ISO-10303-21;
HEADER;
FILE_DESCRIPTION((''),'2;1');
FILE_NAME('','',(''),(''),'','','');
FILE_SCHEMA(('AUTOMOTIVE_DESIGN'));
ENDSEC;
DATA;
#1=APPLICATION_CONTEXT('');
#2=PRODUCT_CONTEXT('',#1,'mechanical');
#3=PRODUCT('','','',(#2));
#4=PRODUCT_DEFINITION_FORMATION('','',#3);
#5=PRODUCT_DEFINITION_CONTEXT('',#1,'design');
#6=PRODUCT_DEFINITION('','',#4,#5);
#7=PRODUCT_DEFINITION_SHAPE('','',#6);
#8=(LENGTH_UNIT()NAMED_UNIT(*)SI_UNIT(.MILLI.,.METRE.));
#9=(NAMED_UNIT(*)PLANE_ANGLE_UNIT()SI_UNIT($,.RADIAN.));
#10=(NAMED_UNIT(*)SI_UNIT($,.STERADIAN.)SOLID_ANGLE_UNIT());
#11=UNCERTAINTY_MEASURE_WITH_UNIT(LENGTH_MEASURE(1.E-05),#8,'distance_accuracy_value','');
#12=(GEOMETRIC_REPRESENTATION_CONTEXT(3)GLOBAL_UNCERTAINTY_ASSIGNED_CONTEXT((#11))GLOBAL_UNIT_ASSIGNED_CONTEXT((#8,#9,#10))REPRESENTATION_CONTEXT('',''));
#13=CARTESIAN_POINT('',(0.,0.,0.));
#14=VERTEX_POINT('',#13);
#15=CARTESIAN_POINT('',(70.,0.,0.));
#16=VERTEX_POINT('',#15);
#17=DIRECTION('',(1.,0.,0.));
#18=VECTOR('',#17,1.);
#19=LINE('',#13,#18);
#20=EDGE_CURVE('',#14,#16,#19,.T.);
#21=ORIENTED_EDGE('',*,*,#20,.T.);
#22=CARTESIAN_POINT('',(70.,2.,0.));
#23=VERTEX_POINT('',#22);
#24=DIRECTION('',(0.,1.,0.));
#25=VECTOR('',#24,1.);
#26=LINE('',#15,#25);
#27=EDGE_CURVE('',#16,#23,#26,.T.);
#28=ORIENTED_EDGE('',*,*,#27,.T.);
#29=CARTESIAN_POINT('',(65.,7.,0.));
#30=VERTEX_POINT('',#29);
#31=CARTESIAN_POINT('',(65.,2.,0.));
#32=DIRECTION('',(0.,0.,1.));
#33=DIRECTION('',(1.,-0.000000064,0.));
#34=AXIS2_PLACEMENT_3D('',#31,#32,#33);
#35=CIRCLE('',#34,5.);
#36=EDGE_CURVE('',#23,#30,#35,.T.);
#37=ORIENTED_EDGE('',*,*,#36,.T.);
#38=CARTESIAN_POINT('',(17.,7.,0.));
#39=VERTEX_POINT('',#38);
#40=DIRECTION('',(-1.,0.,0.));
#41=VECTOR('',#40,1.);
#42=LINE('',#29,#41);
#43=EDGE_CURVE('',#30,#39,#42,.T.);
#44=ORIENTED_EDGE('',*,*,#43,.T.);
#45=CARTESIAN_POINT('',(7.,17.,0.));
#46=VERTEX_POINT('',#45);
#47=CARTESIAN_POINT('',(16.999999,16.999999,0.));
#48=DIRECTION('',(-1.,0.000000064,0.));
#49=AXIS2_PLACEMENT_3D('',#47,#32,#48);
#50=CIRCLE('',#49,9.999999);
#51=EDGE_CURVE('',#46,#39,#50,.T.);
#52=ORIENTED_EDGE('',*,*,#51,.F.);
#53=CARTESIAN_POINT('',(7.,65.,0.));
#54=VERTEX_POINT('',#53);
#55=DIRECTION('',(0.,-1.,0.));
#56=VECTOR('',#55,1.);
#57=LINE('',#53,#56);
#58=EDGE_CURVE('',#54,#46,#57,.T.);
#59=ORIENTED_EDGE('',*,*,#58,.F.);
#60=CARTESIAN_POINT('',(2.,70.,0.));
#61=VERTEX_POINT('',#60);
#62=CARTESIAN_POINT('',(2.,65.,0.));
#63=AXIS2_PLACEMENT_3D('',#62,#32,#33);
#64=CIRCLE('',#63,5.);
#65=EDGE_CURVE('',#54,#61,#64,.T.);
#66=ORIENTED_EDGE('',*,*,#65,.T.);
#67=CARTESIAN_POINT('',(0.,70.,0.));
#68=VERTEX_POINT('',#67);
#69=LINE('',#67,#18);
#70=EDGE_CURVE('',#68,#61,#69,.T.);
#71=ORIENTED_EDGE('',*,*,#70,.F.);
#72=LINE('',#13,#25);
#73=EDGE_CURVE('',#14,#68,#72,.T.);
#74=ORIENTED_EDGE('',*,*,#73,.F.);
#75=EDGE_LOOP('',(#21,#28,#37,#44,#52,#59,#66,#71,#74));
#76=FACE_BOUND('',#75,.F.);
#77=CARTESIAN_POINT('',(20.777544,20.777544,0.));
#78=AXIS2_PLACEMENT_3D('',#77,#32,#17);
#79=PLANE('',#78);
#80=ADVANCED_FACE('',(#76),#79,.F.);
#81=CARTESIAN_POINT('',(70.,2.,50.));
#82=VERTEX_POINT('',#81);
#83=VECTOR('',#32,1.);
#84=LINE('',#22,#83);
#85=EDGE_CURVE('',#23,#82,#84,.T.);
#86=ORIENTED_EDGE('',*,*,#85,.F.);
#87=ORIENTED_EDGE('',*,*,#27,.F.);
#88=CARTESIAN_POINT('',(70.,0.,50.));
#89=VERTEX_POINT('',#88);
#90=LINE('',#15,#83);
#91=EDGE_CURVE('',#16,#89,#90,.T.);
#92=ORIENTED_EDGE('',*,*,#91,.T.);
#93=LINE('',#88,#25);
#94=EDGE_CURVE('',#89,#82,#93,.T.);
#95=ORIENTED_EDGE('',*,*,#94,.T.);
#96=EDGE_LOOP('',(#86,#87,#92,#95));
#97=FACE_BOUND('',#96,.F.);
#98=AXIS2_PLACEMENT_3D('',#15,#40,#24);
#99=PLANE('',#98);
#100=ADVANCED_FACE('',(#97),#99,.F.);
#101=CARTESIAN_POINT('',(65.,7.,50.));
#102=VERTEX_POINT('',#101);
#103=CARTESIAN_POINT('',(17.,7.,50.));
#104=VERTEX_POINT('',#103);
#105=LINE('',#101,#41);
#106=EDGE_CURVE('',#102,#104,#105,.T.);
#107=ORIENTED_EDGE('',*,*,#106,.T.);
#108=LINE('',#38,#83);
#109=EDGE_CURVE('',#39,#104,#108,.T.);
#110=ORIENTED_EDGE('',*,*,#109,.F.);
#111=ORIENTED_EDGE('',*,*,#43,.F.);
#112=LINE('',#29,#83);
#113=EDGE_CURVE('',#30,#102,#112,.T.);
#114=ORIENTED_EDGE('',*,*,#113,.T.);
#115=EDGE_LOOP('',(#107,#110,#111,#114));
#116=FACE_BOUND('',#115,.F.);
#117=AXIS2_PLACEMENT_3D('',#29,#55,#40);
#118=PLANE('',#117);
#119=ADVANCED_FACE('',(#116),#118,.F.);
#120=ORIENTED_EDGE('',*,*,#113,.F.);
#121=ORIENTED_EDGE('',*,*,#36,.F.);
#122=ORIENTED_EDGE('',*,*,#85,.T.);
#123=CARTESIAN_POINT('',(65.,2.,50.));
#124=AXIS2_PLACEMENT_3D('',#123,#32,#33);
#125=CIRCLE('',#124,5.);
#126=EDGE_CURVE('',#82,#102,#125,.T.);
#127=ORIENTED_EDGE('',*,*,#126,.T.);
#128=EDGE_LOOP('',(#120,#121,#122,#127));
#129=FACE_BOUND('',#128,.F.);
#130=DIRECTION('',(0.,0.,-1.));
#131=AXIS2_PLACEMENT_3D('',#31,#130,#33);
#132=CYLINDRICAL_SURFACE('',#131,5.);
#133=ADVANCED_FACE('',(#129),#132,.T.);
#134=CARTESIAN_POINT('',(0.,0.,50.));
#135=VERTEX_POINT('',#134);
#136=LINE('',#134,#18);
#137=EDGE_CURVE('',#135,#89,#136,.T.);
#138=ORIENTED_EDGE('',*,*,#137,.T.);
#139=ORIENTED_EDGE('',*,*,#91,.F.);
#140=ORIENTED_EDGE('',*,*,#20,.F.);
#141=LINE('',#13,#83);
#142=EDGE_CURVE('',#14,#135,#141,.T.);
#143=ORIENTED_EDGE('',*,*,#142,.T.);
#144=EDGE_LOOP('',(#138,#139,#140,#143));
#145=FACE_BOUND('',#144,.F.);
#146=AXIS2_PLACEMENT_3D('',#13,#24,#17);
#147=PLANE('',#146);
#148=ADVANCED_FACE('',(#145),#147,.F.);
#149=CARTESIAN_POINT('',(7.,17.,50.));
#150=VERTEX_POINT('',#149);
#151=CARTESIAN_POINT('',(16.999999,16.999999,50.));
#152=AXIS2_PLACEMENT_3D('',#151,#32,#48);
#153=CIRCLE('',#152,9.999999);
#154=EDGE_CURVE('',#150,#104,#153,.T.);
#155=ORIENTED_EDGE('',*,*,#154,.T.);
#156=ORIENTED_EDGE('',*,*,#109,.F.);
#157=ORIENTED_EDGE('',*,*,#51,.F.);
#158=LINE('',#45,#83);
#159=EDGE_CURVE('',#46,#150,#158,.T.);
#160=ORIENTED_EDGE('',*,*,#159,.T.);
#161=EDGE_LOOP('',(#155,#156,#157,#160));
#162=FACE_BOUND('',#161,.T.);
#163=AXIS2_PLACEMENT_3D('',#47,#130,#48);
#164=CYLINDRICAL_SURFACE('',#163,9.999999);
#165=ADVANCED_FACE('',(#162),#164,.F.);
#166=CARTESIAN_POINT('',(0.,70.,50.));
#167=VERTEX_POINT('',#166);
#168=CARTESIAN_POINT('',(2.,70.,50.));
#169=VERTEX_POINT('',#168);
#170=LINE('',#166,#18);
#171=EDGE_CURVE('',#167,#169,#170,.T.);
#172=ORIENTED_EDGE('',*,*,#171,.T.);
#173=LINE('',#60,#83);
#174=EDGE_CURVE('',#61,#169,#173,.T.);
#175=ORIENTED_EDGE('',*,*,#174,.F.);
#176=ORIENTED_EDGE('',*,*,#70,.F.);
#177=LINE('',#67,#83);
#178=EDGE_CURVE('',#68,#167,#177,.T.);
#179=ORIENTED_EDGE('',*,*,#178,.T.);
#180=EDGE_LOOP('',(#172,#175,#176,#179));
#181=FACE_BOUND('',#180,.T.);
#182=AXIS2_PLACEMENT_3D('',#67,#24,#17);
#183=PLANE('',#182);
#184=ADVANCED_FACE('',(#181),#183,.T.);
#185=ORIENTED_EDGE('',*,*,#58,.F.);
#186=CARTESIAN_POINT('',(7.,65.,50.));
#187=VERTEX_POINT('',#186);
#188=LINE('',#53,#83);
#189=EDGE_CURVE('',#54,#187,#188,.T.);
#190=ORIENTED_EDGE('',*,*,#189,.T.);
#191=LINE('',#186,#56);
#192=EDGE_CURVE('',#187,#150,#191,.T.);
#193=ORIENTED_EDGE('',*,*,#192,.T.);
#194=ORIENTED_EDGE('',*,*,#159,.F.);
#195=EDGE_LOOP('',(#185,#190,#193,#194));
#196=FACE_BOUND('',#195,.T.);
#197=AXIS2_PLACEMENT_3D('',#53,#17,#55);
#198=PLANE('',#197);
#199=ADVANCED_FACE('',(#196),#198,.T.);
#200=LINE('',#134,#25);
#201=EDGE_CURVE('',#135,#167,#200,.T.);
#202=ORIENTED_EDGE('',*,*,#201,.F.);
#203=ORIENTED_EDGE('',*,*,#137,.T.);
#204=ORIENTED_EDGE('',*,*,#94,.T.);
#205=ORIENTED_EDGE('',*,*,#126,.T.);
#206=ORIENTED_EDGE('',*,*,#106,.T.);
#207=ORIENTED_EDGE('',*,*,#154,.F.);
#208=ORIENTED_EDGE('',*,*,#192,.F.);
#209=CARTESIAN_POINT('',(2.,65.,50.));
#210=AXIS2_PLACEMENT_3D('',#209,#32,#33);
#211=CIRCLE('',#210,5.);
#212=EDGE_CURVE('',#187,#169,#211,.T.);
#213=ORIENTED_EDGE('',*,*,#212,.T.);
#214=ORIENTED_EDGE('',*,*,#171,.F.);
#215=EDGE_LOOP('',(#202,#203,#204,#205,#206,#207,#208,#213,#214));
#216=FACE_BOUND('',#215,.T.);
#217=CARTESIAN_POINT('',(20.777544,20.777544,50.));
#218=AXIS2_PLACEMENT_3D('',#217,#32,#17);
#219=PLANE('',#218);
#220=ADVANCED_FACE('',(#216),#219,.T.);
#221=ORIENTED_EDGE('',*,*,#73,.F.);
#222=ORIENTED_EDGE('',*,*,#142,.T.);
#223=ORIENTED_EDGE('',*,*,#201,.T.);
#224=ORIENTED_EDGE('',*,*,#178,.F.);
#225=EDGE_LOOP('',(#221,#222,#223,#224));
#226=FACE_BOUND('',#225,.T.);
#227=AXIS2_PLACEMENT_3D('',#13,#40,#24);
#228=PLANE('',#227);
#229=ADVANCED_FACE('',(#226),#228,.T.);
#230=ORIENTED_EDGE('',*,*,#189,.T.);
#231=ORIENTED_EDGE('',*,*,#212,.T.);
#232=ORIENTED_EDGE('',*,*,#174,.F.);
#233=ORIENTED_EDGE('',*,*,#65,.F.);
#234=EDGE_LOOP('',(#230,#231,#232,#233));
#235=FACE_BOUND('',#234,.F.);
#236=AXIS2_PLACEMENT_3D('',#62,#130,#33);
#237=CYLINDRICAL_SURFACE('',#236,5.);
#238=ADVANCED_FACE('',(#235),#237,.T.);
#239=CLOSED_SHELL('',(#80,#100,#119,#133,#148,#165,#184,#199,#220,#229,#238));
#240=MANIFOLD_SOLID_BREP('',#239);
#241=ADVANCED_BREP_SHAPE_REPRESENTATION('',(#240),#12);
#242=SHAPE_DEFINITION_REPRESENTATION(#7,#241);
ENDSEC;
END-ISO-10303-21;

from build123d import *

# Parameters (mm, degrees)
EXTRUDE_DEPTH = 50


with BuildPart() as part:
    # Sketch → Extrude (new body)
    with BuildSketch(Plane.XY):
        with BuildLine():
            Line((0, 0), (70, 0))
            Line((70, 0), (70, 2))
            ThreePointArc((70, 2), (68.535534, 5.535534), (65, 7))
            Line((65, 7), (17, 7))
            ThreePointArc((7, 17), (9.928932, 9.928932), (17, 7))
            Line((7, 65), (7, 17))
            ThreePointArc((7, 65), (5.535534, 68.535534), (2, 70))
            Line((0, 70), (2, 70))
            Line((0, 0), (0, 70))
        make_face()
    extrude(amount=EXTRUDE_DEPTH)


solid = part.part
